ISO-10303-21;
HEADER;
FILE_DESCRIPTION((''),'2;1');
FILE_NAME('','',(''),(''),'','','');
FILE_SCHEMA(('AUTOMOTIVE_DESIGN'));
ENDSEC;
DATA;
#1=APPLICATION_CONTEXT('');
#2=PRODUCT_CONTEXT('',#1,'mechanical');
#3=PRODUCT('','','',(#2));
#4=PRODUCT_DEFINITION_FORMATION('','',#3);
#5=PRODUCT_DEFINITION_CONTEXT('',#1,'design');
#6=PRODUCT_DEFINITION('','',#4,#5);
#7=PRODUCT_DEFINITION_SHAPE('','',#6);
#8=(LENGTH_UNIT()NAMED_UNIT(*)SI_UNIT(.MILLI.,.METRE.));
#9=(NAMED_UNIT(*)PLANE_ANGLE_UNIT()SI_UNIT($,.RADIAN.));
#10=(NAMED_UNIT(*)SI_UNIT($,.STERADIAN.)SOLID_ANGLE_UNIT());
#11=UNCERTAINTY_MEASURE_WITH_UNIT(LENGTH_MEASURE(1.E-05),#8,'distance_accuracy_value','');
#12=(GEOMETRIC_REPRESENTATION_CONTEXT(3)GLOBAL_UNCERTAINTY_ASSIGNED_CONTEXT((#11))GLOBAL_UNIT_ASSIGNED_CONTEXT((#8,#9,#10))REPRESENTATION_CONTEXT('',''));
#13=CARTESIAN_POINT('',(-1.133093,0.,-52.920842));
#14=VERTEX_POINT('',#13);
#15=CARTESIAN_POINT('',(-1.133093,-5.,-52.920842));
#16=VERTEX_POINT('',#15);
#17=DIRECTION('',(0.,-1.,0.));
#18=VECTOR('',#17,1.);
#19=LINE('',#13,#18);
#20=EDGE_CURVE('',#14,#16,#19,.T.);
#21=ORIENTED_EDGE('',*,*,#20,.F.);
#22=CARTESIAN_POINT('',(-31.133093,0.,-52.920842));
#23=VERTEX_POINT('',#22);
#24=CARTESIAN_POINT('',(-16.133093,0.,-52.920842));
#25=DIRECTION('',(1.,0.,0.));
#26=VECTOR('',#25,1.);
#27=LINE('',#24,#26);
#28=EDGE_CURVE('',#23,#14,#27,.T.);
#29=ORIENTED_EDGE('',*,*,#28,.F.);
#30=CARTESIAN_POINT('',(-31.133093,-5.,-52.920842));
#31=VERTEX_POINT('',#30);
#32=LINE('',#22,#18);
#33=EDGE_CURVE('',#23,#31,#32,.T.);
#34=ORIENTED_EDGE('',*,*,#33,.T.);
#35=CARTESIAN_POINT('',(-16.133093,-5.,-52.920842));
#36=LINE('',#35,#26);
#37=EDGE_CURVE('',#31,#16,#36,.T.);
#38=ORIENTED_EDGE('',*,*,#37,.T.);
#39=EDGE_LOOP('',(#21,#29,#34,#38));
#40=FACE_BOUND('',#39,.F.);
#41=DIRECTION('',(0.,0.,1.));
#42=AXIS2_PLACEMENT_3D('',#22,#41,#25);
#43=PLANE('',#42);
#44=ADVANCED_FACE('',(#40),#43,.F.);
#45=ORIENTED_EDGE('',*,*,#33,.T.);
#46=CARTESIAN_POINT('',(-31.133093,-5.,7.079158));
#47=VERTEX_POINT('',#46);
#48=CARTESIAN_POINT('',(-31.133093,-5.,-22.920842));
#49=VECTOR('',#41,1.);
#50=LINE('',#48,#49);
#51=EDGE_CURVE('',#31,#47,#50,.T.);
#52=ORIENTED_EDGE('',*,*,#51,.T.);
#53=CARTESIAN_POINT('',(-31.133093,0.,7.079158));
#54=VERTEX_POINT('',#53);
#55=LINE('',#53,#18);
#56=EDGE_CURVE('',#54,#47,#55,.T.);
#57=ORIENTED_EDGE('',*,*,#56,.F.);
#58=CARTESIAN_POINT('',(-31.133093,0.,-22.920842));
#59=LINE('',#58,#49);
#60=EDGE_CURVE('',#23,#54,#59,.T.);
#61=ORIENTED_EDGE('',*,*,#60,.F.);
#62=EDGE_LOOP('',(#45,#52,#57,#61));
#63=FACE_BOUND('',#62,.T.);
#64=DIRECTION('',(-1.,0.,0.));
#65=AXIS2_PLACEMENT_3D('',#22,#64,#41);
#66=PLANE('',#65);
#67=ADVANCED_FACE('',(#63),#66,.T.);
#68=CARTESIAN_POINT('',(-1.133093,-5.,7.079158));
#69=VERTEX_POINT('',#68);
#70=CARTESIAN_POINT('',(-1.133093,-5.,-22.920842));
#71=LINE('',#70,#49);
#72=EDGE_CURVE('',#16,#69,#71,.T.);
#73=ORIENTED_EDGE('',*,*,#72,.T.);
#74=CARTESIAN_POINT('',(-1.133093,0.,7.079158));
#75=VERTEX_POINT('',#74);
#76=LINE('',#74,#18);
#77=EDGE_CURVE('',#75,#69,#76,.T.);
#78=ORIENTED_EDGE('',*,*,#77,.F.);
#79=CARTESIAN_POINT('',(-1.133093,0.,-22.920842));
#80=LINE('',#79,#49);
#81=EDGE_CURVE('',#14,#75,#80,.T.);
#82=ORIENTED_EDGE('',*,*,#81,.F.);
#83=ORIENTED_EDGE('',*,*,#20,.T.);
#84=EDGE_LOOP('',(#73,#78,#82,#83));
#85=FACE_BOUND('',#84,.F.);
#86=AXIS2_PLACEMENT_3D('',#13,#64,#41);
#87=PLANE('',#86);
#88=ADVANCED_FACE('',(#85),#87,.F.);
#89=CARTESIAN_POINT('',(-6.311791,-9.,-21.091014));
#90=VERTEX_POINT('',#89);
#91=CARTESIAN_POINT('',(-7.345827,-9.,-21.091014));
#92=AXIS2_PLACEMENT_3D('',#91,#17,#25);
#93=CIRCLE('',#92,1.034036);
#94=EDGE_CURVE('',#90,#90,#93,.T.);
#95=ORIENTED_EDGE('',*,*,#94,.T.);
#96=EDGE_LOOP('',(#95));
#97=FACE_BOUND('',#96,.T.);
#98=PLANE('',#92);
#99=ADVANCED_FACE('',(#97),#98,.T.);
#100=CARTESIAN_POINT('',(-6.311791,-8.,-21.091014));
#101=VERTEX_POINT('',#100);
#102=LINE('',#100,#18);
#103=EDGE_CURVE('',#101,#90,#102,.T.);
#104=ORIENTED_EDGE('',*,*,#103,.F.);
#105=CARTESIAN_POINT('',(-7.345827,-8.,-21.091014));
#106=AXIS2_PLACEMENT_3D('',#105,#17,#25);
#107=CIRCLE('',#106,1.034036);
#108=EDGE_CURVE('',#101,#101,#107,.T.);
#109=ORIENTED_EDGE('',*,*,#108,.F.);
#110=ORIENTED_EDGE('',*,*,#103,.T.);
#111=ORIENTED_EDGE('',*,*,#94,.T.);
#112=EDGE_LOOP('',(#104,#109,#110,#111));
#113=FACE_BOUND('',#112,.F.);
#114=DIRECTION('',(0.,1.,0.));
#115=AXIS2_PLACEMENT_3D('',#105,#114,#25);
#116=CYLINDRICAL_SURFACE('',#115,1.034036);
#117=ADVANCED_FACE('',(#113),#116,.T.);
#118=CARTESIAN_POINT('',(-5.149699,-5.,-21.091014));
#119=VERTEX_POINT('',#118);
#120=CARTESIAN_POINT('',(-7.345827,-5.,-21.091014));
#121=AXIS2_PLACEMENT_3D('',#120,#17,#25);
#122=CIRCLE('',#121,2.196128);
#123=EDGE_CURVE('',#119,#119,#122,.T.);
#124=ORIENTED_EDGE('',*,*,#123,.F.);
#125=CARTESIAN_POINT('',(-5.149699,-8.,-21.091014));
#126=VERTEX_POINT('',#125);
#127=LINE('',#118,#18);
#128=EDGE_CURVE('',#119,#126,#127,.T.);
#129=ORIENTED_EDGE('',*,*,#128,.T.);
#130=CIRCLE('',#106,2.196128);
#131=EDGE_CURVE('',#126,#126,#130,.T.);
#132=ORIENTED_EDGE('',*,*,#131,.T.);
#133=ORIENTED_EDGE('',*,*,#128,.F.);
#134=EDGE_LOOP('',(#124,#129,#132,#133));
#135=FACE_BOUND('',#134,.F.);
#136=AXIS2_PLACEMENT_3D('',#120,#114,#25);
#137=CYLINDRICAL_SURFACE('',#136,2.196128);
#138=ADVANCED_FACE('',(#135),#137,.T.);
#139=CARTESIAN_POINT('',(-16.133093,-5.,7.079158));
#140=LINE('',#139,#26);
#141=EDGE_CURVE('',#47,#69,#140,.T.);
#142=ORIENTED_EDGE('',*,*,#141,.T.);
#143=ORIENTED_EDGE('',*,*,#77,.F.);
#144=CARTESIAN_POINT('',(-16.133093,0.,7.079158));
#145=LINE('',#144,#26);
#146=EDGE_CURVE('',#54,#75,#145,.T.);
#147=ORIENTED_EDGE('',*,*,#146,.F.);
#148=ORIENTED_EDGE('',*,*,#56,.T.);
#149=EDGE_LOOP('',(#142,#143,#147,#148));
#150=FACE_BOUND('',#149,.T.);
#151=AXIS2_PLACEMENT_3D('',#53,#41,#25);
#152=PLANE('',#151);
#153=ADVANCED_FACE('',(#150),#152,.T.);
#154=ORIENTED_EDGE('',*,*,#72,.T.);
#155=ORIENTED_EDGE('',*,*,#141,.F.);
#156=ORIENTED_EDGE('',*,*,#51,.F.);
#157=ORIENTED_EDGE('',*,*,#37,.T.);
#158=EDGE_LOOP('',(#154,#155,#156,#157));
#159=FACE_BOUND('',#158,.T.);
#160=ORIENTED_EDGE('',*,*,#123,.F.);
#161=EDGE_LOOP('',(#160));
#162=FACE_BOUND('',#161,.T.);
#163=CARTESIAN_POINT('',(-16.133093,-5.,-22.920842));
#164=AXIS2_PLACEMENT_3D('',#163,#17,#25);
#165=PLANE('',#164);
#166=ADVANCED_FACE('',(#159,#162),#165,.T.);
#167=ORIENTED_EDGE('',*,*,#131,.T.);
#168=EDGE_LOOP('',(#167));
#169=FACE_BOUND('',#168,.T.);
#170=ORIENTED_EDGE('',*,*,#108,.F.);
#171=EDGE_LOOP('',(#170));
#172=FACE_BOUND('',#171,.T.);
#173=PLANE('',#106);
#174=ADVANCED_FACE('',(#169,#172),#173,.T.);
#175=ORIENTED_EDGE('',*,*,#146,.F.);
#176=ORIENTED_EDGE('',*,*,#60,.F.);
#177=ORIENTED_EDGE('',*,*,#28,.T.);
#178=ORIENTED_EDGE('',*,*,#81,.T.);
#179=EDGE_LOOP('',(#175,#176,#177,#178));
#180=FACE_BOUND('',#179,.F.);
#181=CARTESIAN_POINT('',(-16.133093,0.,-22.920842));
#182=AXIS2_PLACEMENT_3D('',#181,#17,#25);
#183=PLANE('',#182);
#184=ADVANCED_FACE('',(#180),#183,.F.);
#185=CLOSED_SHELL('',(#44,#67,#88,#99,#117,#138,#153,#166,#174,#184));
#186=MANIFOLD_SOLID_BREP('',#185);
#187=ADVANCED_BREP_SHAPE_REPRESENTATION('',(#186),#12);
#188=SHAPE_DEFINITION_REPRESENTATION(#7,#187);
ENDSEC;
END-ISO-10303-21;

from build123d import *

# Parameters (mm, degrees)
F0_W     = 30
F0_H     = 60
F1_DEPTH = 5
F2_R     = 2.196128
F3_DEPTH = 3
F4_R     = 1.034036
F5_DEPTH = 1


with BuildPart() as f1:
    # F0 (on Front) → F1 (new body)
    with BuildSketch(Plane.XZ):
        with Locations((-16.133093, -22.920842)):
            Rectangle(F0_W, F0_H)
    extrude(amount=F1_DEPTH)

    # F2 (on face) → F3 (join)
    with BuildSketch(Plane.XZ.offset(5)):
        with Locations((-7.345827, -21.091014)):
            Circle(F2_R)
    extrude(amount=F3_DEPTH)

    # F4 (on face) → F5 (join)
    with BuildSketch(Plane.XZ.offset(8)):
        with Locations((-7.345827, -21.091014)):
            Circle(F4_R)
    extrude(amount=F5_DEPTH)


solid = f1.part
